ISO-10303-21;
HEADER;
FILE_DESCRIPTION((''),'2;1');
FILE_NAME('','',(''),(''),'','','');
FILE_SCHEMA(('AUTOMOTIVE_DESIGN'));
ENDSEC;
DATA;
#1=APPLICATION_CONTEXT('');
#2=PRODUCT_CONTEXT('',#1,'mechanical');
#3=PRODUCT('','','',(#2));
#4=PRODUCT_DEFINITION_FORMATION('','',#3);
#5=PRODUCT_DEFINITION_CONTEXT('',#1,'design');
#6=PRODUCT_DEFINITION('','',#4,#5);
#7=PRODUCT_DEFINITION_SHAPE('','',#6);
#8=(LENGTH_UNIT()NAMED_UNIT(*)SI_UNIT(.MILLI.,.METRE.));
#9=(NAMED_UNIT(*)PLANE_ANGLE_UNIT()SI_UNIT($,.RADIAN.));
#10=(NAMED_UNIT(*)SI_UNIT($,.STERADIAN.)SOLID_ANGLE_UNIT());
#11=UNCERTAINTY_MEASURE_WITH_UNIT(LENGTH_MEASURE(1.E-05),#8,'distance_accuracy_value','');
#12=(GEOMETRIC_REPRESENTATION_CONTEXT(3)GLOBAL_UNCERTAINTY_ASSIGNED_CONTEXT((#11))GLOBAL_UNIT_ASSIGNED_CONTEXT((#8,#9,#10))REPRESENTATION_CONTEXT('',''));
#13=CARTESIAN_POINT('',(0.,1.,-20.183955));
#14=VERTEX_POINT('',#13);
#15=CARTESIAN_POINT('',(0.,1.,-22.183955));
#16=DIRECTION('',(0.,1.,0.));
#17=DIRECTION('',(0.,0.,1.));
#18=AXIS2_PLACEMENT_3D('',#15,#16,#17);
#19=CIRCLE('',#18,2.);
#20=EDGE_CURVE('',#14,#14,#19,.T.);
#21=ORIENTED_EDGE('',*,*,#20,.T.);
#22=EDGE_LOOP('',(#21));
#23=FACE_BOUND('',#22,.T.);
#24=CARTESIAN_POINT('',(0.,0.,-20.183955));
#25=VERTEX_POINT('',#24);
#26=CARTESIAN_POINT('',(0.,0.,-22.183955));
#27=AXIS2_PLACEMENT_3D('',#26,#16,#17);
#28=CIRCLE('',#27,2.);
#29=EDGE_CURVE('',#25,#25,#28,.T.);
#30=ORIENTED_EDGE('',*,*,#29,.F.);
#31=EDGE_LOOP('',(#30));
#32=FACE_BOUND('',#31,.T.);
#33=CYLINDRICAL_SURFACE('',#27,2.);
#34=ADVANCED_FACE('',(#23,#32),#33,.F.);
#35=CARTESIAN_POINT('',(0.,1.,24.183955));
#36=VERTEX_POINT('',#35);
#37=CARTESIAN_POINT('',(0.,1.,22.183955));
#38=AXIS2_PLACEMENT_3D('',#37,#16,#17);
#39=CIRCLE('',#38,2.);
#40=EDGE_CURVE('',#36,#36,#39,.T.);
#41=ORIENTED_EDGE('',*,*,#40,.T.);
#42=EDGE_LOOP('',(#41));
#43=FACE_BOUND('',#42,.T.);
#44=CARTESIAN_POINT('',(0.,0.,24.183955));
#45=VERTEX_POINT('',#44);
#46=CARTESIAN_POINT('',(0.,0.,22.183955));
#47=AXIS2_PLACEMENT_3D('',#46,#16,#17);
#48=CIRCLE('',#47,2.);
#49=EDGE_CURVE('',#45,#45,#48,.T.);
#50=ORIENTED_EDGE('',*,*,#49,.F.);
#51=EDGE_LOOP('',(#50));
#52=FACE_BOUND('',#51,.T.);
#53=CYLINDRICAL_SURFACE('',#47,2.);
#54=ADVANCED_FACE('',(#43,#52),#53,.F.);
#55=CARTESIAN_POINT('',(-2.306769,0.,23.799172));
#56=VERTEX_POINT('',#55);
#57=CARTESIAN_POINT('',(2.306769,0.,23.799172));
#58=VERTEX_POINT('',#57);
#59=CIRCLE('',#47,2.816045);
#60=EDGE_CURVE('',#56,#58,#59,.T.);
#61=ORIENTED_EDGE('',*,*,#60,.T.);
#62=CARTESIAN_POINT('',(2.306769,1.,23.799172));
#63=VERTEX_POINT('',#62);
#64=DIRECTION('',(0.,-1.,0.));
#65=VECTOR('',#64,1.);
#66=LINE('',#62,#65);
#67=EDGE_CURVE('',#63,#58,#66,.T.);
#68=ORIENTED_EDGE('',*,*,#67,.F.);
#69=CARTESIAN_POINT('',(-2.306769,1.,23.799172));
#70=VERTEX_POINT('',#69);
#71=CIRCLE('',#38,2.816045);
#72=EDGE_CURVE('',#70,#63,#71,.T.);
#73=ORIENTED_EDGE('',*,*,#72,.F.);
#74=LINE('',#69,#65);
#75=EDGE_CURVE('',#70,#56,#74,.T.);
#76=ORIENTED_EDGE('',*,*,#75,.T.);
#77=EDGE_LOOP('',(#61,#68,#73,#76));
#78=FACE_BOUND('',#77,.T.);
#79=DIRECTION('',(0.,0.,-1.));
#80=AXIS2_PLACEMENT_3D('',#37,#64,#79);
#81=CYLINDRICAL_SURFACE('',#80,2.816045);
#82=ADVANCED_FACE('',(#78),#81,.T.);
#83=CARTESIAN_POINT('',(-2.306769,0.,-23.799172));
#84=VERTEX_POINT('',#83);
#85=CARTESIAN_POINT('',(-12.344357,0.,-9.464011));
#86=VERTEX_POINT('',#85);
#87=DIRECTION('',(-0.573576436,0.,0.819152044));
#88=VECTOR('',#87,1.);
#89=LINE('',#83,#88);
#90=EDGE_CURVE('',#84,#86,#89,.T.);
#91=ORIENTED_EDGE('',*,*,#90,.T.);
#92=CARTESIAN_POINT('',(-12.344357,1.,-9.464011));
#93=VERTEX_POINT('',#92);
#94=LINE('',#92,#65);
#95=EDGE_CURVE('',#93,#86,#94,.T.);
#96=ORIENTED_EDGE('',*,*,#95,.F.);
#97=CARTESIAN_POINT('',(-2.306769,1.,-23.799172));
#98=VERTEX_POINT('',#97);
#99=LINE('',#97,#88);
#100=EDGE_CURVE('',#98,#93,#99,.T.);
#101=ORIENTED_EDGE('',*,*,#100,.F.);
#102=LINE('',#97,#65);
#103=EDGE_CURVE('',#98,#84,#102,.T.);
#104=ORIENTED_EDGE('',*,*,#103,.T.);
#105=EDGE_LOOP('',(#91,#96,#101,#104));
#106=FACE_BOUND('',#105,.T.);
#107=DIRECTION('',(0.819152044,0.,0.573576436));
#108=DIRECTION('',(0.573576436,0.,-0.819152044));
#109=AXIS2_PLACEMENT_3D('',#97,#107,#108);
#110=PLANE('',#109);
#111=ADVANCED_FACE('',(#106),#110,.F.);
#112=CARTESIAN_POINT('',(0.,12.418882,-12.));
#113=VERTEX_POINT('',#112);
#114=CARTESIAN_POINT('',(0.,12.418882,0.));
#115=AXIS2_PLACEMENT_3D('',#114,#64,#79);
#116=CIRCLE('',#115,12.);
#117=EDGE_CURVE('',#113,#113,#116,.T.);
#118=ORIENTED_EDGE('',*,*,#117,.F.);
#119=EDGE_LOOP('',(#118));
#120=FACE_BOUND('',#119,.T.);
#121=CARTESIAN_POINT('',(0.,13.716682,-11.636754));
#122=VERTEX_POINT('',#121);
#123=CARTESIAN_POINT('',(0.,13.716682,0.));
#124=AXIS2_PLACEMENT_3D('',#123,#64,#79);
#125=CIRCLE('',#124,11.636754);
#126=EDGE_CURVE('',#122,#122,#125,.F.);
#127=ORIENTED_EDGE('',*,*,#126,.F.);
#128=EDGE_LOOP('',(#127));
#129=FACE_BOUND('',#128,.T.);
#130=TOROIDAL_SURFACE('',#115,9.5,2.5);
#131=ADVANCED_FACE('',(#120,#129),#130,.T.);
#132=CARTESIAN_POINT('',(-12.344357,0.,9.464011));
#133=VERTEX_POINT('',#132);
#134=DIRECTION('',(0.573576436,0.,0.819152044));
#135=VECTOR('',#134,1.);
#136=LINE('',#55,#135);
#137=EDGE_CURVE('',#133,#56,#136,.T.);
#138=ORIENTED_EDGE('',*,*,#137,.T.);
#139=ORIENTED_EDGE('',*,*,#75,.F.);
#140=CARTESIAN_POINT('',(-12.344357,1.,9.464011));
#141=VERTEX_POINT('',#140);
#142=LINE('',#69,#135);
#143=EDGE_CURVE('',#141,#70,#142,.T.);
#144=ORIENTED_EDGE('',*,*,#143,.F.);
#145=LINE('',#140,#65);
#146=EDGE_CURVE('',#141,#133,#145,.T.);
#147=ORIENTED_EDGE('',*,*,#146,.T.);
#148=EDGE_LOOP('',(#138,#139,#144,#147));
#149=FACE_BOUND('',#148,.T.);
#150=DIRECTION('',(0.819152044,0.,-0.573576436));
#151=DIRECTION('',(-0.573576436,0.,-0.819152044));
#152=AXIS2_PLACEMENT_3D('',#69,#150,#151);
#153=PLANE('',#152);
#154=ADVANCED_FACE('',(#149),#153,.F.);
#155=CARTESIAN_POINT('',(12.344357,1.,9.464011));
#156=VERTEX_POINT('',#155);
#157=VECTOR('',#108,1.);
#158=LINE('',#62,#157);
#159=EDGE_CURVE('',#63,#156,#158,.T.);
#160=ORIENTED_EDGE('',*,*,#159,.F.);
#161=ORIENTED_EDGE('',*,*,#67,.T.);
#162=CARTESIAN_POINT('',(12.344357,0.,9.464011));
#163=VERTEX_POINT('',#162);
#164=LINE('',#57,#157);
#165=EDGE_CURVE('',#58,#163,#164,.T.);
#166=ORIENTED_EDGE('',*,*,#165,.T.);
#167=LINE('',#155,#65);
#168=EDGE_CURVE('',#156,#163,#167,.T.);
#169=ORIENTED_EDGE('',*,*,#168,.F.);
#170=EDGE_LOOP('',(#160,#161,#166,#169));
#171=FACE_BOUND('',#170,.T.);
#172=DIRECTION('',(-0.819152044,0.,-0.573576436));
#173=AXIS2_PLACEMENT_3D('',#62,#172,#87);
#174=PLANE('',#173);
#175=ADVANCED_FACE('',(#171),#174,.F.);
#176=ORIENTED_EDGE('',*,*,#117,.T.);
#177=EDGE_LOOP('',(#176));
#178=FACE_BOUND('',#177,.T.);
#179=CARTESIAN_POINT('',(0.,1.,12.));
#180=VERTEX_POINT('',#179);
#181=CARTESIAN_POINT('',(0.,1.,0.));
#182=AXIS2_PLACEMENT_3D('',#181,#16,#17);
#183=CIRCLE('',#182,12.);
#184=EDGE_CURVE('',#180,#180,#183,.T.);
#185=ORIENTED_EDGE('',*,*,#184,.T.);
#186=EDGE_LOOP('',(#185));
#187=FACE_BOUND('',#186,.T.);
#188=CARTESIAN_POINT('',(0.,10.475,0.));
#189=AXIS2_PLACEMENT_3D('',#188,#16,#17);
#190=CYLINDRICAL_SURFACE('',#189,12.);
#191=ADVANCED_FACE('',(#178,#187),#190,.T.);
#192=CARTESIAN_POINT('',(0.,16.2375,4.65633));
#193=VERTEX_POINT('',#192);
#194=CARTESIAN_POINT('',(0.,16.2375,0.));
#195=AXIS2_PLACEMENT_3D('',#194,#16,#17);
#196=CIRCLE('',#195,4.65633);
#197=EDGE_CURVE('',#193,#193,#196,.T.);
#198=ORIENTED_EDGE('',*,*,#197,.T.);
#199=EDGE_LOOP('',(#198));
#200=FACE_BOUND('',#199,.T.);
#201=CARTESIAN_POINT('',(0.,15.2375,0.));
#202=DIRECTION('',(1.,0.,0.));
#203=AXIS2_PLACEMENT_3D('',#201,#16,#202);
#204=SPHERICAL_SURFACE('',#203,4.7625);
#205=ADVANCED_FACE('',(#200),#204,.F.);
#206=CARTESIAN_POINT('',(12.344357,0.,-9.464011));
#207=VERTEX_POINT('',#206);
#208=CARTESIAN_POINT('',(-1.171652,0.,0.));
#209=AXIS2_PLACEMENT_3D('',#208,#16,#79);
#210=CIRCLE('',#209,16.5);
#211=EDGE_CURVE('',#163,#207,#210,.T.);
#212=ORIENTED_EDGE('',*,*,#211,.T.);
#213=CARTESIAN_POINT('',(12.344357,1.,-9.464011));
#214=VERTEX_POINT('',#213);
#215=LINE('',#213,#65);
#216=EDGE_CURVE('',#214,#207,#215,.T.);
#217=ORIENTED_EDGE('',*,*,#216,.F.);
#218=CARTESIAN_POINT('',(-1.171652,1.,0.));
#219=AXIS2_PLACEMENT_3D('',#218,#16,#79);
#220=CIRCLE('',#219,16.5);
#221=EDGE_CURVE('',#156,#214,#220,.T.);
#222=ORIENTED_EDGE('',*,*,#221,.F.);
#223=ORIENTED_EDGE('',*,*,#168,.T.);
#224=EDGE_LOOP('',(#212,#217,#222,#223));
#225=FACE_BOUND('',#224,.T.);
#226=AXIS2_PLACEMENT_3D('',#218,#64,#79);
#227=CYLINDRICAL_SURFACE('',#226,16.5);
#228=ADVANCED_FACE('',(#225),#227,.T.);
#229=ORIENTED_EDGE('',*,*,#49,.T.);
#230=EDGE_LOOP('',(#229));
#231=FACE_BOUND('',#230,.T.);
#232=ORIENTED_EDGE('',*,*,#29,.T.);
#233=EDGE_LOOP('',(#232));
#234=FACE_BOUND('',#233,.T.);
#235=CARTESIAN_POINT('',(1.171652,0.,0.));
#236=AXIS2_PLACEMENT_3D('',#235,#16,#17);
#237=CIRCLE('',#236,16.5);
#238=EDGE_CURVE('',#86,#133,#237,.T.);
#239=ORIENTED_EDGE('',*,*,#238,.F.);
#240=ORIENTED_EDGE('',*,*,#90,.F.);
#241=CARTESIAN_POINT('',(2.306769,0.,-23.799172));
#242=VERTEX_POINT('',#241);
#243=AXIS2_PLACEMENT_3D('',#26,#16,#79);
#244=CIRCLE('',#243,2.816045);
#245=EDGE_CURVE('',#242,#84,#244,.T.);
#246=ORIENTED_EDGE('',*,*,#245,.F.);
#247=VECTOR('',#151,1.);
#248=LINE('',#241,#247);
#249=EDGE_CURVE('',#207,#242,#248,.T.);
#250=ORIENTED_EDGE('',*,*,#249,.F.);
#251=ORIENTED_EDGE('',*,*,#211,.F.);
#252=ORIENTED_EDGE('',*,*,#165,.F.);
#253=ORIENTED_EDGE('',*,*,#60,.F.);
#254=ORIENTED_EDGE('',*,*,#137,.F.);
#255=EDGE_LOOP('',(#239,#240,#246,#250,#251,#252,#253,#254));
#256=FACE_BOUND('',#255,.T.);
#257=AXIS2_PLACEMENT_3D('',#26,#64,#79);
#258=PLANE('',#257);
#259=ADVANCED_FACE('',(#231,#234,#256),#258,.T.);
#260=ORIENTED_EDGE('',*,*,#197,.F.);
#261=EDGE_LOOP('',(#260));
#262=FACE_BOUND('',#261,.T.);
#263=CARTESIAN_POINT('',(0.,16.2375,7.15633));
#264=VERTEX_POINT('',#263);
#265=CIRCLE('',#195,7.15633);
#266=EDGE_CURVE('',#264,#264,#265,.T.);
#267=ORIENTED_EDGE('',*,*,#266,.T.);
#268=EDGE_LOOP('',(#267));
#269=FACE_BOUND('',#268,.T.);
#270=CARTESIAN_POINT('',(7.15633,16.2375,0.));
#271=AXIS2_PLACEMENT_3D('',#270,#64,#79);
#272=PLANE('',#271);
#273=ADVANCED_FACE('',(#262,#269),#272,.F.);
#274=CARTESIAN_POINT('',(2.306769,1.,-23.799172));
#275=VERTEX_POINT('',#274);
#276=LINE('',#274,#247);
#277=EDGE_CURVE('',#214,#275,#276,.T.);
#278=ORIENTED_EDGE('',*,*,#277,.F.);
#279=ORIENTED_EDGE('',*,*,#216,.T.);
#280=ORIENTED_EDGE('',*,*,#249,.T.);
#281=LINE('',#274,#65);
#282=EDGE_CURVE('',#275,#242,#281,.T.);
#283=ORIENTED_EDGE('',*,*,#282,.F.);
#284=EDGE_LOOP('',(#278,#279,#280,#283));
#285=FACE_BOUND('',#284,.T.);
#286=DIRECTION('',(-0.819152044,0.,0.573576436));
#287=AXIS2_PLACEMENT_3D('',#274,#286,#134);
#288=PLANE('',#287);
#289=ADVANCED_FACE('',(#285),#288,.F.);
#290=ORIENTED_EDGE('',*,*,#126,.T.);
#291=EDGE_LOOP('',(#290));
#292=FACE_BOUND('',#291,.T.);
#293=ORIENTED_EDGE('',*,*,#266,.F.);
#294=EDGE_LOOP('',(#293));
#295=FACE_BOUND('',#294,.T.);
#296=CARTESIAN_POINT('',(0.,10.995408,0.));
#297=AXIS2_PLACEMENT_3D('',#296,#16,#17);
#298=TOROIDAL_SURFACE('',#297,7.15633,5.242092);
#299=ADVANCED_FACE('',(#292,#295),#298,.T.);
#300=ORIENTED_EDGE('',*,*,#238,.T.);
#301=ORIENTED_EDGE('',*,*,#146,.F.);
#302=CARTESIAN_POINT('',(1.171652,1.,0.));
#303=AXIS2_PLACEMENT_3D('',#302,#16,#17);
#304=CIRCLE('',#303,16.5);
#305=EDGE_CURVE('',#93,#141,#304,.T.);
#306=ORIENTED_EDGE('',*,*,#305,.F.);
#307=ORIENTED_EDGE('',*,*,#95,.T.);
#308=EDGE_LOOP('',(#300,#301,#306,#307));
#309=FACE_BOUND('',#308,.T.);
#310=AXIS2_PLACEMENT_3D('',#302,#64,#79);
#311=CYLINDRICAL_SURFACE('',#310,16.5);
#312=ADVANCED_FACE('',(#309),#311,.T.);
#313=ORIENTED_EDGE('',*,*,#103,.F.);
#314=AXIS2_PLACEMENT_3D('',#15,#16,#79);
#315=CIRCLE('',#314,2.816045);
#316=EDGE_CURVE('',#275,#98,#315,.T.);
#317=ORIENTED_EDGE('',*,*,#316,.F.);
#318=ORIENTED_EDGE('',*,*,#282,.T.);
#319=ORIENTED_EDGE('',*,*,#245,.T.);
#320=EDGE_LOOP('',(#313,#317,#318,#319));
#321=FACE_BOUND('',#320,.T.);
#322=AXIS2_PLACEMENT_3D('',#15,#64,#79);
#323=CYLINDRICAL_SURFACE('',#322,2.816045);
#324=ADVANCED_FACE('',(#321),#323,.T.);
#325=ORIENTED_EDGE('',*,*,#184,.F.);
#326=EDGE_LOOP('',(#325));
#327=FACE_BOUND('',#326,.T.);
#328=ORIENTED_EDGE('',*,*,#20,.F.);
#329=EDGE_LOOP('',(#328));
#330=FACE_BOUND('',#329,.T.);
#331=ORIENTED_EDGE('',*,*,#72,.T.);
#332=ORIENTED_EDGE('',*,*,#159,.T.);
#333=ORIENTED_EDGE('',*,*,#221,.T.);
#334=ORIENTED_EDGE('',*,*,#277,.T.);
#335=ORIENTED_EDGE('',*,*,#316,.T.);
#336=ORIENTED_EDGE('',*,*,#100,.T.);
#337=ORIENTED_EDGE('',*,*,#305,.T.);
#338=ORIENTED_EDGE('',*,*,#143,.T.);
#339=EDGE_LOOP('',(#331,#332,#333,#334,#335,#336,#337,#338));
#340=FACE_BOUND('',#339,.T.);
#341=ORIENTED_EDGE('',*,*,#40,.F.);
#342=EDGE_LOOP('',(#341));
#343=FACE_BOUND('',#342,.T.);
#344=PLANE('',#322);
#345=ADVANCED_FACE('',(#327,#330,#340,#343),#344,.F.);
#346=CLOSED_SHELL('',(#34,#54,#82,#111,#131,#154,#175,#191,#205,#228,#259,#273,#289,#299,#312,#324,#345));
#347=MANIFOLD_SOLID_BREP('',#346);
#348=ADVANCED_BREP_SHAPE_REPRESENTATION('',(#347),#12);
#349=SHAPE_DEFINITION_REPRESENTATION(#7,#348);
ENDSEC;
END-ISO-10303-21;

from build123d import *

# Parameters (mm, degrees)
BOSS_EXTRUDE1_DEPTH = 1
FILLET2_R           = 2.5
SKETCH4_R           = 2
CUT_EXTRUDE1_DEPTH  = 34.047536431


with BuildPart() as part:
    # Sketch1 → Boss-Extrude1 (new body)
    with BuildSketch(Plane(origin=(0, 0, 0), x_dir=(1, 0, 0), z_dir=(0, 1, 0))):
        with BuildLine():
            Line((-2.306769174, 23.799171975), (-12.34435681, 9.4640112))
            ThreePointArc((-12.34435681, 9.4640112), (-15.328348079, 0), (-12.34435681, -9.4640112))
            Line((-12.34435681, -9.4640112), (-2.306769174, -23.799171975))
            ThreePointArc((-2.306769174, -23.799171975), (0, -25), (2.306769174, -23.799171975))
            Line((2.306769174, -23.799171975), (12.34435681, -9.4640112))
            ThreePointArc((12.34435681, -9.4640112), (15.328348079, 0), (12.34435681, 9.4640112))
            Line((12.34435681, 9.4640112), (2.306769174, 23.799171975))
            ThreePointArc((2.306769174, 23.799171975), (0, 25), (-2.306769174, 23.799171975))
        make_face()
    extrude(amount=BOSS_EXTRUDE1_DEPTH)

    # Sketch3 → Revolve1 (revolve)
    with BuildSketch(Plane.XY, mode=Mode.PRIVATE) as revolve1_sk:
        with BuildLine():
            Line((0, 1), (12, 1))
            Line((12, 1), (12, 13))
            ThreePointArc((12, 13), (10.06934138, 15.353606271), (7.156329697, 16.2375))
            Line((7.156329697, 16.2375), (4.656329697, 16.2375))
            ThreePointArc((4.656329697, 16.2375), (3.704315473, 12.244265441), (0, 10.475))
            Line((0, 10.475), (0, 1))
        make_face()
    revolve(revolve1_sk.sketch.rotate(Axis((0, 10.475, 0), (0, -1, 0)), 90), axis=Axis((0, 10.475, 0), (0, -1, 0)))

    # Fillet2
    fillet2_edges = [part.edges().sort_by_distance(p)[0] for p in [
        (0, 13, -12),
    ]]
    fillet(fillet2_edges, radius=FILLET2_R)

    # Sketch4 → Cut-Extrude1 (cut, through all)
    with BuildSketch(Plane(origin=(0, 1, 0), x_dir=(1, 0, 0), z_dir=(0, 1, 0))):
        with Locations(Location((0, -22.18395481, 0), (0, 0, 270))):
            Circle(SKETCH4_R)
        with Locations(Location((0, 22.18395481, 0), (0, 0, 270))):
            Circle(SKETCH4_R)
    extrude(amount=-CUT_EXTRUDE1_DEPTH, mode=Mode.SUBTRACT)


solid = part.part
